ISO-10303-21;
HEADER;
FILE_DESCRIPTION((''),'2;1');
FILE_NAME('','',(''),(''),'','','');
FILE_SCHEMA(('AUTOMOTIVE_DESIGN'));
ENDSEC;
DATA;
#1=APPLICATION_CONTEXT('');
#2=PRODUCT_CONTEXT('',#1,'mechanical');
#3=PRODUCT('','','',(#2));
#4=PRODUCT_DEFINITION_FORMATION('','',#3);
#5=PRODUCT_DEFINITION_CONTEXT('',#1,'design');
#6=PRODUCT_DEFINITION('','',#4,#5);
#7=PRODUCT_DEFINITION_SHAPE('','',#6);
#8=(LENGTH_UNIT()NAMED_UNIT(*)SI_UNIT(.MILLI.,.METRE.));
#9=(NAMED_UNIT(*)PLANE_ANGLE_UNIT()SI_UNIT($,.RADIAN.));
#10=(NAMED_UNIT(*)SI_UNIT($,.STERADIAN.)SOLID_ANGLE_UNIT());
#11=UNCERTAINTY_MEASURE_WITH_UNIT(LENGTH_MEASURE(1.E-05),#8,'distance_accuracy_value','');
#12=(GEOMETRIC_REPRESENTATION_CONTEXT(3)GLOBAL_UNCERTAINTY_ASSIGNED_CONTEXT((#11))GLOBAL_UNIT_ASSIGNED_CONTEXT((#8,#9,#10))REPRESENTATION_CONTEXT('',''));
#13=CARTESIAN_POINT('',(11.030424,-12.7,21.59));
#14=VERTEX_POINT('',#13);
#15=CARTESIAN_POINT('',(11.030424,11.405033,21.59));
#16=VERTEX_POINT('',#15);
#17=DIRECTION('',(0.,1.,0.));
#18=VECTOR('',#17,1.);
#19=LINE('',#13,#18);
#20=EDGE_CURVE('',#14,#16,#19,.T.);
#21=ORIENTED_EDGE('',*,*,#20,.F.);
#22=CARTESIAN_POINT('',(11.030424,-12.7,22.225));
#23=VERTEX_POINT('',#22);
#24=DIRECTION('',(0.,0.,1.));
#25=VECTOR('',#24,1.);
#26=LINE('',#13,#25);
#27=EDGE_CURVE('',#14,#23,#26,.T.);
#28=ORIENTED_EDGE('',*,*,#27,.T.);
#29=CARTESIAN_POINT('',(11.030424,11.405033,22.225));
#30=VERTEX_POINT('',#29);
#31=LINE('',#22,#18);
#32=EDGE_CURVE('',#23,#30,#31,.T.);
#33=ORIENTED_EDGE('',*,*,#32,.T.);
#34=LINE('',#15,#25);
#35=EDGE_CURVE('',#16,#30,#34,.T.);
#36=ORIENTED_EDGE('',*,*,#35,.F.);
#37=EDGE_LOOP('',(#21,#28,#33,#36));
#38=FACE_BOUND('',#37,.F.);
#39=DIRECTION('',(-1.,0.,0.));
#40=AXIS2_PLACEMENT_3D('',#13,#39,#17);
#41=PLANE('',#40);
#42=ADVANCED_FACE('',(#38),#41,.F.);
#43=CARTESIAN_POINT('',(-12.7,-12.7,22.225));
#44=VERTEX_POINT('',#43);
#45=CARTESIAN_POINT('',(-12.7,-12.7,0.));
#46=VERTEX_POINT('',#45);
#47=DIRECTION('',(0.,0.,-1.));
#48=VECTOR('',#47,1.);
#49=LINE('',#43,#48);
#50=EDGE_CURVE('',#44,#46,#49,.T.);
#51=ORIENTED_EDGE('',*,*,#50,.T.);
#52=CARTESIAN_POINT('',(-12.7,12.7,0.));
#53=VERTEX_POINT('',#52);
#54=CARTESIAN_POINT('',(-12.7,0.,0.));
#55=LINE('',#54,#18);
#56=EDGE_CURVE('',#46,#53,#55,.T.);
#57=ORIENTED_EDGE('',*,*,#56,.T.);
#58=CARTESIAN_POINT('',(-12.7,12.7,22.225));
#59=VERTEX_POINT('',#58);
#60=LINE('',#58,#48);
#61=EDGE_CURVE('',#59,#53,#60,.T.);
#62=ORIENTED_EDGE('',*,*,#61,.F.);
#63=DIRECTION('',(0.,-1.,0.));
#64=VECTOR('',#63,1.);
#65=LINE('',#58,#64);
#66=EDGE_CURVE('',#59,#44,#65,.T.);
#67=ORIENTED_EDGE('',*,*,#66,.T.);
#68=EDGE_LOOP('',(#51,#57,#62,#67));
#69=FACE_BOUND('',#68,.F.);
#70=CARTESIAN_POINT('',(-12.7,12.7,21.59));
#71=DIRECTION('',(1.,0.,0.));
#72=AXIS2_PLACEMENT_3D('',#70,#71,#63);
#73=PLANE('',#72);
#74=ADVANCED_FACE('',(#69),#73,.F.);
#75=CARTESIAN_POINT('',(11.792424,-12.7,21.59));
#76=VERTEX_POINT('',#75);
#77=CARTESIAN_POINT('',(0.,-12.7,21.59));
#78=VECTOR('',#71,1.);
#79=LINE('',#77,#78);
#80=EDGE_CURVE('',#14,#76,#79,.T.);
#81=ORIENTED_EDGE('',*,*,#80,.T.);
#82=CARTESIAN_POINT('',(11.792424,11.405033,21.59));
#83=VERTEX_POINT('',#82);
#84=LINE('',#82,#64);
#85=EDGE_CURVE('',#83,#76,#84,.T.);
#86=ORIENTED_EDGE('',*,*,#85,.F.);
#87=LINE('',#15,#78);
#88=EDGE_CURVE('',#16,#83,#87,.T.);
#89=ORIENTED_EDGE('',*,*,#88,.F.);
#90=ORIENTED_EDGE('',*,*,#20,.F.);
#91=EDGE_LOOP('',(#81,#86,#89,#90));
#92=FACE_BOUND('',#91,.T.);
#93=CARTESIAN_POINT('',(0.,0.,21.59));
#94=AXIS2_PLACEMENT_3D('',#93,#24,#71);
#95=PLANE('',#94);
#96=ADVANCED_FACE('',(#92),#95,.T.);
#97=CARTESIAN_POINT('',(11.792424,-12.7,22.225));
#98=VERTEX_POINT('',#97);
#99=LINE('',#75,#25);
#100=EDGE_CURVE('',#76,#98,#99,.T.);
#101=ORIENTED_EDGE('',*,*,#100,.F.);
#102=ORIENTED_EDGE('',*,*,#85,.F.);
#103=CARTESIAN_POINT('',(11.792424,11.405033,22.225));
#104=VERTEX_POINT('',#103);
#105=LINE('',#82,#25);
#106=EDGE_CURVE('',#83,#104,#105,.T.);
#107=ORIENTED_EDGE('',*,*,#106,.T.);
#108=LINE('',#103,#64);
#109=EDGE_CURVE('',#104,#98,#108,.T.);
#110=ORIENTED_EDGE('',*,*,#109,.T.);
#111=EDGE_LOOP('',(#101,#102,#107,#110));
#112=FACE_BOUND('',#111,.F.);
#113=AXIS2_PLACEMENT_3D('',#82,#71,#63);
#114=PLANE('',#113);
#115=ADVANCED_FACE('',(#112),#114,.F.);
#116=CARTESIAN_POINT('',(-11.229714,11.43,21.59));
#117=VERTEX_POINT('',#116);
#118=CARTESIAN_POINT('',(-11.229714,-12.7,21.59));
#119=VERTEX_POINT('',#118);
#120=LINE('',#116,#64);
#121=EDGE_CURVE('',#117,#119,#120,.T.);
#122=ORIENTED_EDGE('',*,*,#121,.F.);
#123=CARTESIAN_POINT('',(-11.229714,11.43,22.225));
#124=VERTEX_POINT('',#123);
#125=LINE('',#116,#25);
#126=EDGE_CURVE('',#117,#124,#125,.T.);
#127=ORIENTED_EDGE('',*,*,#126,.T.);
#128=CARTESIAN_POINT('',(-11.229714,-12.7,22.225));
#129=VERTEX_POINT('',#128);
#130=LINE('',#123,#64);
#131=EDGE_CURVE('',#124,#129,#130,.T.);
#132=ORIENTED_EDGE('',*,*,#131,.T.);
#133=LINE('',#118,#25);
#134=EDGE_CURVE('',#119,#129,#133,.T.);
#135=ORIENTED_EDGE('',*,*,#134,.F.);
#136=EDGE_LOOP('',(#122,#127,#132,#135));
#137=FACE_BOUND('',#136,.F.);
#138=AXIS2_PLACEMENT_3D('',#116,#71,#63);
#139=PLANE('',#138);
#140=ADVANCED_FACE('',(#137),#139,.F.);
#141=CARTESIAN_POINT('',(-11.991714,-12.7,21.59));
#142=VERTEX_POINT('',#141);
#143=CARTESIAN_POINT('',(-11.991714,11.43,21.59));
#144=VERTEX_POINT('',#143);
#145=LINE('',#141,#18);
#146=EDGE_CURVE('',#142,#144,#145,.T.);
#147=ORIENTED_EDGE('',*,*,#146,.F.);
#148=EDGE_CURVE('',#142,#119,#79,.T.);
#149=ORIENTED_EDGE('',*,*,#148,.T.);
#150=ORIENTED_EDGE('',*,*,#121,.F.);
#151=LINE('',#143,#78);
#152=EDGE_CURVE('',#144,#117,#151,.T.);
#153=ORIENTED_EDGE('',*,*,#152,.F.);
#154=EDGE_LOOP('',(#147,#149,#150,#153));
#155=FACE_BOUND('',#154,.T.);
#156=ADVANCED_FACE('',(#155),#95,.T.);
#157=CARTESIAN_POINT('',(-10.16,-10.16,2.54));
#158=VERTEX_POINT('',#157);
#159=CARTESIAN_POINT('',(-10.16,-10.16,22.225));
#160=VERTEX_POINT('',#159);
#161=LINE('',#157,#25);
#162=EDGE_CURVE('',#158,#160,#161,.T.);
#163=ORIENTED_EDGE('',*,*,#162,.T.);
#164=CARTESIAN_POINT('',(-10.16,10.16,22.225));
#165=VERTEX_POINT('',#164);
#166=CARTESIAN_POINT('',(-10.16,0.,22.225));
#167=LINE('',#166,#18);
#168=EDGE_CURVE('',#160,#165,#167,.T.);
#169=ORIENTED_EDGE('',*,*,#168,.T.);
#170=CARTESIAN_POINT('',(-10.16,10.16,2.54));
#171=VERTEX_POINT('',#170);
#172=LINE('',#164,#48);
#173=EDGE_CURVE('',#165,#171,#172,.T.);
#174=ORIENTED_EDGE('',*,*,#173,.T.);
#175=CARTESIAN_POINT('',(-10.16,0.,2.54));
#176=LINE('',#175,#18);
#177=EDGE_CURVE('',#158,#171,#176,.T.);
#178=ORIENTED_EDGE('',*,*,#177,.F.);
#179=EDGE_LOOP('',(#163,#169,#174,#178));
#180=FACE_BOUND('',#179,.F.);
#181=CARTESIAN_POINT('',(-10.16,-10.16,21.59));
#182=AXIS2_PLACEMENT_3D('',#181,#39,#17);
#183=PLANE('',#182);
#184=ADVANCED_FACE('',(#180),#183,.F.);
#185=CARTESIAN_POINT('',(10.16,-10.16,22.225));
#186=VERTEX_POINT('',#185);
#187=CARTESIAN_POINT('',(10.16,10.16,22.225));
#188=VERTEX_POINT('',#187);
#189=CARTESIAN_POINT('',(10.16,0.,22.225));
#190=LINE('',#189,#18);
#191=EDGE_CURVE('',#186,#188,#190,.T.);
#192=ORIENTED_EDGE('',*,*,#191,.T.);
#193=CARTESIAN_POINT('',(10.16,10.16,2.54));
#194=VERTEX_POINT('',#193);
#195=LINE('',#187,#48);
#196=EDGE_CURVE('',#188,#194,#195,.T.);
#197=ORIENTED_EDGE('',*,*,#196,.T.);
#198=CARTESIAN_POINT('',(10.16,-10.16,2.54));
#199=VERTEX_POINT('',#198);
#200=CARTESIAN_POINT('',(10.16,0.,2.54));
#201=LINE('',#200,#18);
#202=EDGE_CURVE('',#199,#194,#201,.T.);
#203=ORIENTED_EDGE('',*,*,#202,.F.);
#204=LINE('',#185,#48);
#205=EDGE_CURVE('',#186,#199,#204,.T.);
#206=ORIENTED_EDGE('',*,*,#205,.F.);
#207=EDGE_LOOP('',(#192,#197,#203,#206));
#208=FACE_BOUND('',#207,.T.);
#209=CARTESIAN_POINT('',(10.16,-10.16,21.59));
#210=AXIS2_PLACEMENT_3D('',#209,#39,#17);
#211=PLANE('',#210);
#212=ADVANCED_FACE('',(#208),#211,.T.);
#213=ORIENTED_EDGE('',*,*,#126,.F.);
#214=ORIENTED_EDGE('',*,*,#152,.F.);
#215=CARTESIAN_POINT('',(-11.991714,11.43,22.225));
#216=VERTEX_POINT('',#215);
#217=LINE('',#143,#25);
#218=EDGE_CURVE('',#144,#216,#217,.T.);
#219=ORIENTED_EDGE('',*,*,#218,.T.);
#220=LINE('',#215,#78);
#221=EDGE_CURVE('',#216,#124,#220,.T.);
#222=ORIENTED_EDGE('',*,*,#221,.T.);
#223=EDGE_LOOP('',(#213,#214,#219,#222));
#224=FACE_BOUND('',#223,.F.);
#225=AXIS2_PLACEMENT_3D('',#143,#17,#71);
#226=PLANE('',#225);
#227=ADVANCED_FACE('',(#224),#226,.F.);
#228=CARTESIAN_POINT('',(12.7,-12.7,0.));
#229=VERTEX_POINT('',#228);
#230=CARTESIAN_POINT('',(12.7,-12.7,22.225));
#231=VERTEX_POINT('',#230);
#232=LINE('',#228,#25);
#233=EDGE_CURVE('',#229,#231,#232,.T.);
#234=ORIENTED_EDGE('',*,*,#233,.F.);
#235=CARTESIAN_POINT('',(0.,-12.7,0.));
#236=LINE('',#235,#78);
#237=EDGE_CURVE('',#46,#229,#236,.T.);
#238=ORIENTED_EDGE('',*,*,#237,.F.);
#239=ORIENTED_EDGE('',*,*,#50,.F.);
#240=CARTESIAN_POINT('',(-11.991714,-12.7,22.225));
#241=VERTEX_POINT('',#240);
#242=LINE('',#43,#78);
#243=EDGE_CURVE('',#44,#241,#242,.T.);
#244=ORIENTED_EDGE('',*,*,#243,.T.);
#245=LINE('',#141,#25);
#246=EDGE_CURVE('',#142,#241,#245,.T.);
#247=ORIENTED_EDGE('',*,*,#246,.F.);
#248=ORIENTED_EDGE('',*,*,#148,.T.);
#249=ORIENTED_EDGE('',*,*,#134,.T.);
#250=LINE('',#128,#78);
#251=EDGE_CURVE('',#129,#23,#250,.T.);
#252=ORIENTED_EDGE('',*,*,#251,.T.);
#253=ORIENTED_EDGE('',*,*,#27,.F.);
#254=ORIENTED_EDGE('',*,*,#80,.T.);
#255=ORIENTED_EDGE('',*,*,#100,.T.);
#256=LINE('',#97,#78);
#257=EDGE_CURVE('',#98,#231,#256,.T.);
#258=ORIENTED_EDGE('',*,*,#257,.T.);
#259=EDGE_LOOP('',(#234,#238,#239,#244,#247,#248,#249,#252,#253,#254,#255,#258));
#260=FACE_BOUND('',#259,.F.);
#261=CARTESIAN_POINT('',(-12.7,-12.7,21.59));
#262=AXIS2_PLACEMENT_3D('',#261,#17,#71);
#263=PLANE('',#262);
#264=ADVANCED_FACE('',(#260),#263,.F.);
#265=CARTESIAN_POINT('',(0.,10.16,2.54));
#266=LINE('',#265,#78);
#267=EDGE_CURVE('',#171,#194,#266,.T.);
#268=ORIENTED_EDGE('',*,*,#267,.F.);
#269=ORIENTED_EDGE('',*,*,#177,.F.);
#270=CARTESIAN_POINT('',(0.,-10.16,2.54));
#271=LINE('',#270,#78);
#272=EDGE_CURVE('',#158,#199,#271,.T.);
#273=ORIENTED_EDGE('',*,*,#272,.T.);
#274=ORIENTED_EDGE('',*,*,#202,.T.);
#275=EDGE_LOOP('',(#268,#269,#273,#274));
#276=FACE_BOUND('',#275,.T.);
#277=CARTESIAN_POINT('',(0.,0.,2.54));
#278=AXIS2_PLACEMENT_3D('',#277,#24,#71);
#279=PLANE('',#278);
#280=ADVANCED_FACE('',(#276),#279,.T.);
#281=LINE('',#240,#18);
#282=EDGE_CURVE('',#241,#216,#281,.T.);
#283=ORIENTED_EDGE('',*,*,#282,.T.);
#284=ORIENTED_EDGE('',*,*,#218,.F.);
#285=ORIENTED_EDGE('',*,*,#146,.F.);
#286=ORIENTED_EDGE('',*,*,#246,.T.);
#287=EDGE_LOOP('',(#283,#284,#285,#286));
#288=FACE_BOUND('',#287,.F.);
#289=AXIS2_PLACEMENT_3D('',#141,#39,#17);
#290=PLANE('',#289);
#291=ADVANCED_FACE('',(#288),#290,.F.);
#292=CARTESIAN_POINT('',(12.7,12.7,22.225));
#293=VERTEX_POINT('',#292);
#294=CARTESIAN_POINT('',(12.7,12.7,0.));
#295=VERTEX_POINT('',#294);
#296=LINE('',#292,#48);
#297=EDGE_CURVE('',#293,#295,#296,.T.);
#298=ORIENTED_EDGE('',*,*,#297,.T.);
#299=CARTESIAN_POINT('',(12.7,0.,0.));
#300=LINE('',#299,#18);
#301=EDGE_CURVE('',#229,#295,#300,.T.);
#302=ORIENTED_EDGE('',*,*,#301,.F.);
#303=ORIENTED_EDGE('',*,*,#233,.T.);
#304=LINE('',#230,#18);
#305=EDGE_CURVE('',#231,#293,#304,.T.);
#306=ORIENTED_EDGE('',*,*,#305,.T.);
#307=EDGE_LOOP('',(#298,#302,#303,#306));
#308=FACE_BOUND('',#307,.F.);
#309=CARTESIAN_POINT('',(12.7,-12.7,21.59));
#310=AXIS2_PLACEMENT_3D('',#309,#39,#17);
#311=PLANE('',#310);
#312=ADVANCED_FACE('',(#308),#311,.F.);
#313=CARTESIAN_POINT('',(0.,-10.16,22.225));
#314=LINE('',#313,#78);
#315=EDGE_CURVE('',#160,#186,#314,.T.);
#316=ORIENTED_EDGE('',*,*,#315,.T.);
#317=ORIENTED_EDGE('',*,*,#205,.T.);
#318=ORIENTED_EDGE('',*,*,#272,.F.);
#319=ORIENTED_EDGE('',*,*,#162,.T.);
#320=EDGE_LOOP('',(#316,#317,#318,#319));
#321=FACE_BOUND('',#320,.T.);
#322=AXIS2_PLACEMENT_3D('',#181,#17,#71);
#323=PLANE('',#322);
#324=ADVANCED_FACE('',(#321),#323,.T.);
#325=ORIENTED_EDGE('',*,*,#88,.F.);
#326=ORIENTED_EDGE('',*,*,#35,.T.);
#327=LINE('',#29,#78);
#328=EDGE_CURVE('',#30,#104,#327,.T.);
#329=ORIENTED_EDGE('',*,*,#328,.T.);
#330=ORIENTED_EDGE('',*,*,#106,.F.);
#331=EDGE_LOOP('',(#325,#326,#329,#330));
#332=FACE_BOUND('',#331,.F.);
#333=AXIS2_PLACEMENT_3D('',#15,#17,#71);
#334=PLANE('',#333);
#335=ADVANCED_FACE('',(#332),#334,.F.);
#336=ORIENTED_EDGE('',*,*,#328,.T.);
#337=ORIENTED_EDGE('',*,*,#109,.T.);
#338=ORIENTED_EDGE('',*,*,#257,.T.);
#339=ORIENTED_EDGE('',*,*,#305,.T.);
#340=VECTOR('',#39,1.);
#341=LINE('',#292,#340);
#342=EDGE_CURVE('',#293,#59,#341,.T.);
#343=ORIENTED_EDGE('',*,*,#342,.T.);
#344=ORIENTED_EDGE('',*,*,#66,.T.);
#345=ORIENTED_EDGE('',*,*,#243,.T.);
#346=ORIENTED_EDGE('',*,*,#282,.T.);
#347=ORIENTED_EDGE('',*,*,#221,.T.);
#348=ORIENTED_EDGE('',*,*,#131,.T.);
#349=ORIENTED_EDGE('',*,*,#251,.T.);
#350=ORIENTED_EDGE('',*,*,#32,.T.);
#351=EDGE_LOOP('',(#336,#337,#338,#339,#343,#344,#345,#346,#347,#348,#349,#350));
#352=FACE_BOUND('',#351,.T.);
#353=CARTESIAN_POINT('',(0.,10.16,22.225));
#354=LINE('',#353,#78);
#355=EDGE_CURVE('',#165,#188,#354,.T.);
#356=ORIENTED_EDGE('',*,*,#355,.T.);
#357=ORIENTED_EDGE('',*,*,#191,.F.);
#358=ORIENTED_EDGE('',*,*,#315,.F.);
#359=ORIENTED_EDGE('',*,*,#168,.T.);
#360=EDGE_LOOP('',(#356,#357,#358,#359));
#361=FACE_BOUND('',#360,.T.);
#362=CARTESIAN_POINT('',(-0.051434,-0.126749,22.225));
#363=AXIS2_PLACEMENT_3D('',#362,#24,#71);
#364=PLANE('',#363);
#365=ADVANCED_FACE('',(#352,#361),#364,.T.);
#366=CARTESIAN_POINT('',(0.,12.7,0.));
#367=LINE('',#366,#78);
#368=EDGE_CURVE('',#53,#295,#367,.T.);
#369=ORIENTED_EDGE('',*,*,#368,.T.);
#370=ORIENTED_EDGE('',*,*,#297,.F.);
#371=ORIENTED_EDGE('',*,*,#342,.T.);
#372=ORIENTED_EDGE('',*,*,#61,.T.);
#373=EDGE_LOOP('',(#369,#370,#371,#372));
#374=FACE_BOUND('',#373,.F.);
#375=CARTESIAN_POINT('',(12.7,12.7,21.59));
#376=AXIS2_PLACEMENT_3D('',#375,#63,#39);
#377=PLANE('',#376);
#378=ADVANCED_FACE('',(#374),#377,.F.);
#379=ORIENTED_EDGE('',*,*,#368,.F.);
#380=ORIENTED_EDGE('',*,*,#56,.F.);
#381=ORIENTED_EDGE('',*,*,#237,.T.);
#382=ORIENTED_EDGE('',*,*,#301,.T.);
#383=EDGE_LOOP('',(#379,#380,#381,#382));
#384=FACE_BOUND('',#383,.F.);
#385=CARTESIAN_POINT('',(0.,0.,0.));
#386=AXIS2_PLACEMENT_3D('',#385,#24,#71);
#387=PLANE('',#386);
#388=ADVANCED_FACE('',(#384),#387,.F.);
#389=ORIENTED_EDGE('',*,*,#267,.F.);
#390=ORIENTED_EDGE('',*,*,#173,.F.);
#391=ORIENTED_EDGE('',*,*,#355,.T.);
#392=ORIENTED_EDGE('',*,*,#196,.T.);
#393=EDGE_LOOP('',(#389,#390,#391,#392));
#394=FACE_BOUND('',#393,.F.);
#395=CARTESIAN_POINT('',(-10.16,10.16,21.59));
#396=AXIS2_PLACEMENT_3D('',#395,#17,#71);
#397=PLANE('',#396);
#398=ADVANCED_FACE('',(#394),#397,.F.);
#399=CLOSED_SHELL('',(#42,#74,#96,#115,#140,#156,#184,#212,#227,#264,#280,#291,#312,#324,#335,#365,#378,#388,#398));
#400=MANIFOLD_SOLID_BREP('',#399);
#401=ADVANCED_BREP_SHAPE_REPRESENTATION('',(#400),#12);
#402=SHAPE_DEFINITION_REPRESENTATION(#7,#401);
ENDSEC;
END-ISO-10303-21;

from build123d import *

# Parameters (mm, degrees)
F0_W     = 20.32
F0_H     = 20.32
F1_DEPTH = 2.54
F0_W_2   = 25.4
F0_H_2   = 25.4
F2_DEPTH = 21.59
F3_W     = 20.32
F3_H     = 20.32
F4_DEPTH = 0.635


with BuildPart() as f1:
    # F0 (on Top) → F1 (new body)
    with BuildSketch(Plane.XY):
        Rectangle(F0_W, F0_H)
    extrude(amount=F1_DEPTH)

    # F0 (on Top) → F2 (join)
    with BuildSketch(Plane.XY):
        Rectangle(F0_W_2, F0_H_2)
        Rectangle(F0_W, F0_H, mode=Mode.SUBTRACT)
    extrude(amount=F2_DEPTH)

    # F3 (on face) → F4 (join)
    with BuildSketch(Plane.XY.offset(21.59)):
        Polygon((-11.991714, 11.43), (-11.229714, 11.43), (-11.229714, -11.43), (-11.229714, -12.7), (11.030424, -12.7), (11.030424, -11.454967), (11.030424, 11.405033), (11.792424, 11.405033), (11.792424, -11.454967), (11.792424, -12.7), (12.7, -12.7), (12.7, 12.7), (-12.7, 12.7), (-12.7, -12.7), (-11.991714, -12.7), (-11.991714, -11.43), align=None)
        Rectangle(F3_W, F3_H, mode=Mode.SUBTRACT)
    extrude(amount=F4_DEPTH)


solid = f1.part
